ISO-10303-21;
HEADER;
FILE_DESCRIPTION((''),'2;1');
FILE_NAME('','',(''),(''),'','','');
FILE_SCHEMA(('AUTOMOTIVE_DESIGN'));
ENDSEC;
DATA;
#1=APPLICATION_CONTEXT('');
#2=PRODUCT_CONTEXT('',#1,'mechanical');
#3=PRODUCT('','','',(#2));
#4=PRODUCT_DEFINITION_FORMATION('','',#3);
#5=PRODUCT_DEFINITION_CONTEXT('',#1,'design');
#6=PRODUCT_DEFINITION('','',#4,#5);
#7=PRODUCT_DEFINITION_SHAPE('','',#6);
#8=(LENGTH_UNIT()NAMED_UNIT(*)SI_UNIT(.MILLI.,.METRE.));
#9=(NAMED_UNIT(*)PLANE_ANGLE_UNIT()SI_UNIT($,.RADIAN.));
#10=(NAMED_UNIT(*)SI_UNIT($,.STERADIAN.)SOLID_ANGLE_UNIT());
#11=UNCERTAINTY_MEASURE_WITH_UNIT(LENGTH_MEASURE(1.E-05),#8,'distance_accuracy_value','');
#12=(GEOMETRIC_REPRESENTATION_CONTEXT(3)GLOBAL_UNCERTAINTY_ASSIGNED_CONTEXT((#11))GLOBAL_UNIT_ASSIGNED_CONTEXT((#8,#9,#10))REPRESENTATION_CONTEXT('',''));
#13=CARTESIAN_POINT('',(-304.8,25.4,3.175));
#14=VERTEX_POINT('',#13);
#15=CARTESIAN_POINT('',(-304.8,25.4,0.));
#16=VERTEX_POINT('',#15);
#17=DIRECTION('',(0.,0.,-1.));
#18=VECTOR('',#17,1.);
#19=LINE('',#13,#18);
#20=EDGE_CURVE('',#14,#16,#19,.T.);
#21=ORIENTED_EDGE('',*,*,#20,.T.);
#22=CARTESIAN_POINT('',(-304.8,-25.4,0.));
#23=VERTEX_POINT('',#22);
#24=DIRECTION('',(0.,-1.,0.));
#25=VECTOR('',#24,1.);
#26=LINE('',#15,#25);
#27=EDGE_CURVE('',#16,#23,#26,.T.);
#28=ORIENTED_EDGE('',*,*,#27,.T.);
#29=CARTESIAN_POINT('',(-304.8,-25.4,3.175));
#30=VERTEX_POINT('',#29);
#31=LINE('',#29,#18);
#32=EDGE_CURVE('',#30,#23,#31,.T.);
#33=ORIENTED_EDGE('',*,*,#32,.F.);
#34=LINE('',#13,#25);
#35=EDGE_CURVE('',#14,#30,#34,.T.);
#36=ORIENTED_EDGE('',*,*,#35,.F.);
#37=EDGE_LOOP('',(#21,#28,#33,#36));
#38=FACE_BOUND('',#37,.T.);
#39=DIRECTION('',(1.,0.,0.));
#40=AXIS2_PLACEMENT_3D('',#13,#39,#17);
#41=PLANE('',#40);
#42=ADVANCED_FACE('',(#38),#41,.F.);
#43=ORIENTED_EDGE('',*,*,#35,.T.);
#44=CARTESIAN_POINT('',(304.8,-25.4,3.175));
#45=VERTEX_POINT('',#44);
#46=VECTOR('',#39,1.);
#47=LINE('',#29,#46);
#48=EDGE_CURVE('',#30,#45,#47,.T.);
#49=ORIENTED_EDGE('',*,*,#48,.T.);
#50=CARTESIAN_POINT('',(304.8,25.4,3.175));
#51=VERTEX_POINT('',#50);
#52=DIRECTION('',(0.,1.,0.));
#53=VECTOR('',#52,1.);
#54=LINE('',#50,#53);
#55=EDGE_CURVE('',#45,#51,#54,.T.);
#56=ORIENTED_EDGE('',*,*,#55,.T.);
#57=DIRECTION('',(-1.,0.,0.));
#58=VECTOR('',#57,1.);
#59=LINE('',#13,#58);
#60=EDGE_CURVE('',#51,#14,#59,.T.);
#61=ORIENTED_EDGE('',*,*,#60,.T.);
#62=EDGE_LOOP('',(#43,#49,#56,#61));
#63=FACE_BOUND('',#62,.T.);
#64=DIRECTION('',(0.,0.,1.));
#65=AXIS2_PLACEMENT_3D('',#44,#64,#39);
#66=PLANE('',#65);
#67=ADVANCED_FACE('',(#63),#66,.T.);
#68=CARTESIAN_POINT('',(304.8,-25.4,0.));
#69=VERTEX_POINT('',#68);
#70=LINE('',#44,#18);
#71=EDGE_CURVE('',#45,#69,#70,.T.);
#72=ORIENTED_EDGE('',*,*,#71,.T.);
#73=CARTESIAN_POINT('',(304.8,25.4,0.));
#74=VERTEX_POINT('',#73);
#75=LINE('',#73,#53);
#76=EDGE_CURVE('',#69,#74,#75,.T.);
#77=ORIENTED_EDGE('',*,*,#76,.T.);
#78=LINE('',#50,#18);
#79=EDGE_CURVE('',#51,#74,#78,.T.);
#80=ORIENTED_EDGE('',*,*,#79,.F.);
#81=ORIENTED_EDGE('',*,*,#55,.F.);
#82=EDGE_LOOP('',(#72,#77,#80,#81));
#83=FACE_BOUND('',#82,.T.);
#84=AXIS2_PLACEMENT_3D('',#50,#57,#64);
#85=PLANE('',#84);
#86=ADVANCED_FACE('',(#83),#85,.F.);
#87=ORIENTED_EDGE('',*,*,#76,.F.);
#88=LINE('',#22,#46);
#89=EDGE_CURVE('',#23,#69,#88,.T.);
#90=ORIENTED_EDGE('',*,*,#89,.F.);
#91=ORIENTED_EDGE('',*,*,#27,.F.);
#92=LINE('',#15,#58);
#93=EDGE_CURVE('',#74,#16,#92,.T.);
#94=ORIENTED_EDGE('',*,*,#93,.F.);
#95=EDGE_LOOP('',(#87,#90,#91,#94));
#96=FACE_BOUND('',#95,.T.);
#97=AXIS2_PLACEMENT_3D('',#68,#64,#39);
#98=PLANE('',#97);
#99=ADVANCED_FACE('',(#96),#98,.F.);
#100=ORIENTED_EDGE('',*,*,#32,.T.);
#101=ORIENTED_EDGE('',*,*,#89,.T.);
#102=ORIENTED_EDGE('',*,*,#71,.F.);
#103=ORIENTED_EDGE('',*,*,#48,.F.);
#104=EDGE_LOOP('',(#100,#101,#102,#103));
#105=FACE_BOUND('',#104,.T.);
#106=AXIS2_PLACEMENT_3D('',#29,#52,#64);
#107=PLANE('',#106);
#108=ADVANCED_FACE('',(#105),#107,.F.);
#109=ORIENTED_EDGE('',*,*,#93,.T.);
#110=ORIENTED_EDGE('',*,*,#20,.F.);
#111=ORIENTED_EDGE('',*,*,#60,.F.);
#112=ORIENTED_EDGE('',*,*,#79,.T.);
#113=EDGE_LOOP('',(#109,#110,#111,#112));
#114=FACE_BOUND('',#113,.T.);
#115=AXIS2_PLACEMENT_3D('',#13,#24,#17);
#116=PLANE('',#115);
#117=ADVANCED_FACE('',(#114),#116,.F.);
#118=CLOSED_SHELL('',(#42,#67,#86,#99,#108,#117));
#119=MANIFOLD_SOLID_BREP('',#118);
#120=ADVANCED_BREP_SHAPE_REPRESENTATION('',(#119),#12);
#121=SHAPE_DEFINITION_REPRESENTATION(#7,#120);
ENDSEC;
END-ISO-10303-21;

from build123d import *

# Parameters (mm, degrees)
SKETCH1_W           = 609.6
SKETCH1_H           = 50.8
BOSS_EXTRUDE1_DEPTH = 3.175


with BuildPart() as part:
    # Sketch1 → Boss-Extrude1 (new body)
    with BuildSketch(Plane.XY):
        Rectangle(SKETCH1_W, SKETCH1_H)
    extrude(amount=BOSS_EXTRUDE1_DEPTH)


solid = part.part
